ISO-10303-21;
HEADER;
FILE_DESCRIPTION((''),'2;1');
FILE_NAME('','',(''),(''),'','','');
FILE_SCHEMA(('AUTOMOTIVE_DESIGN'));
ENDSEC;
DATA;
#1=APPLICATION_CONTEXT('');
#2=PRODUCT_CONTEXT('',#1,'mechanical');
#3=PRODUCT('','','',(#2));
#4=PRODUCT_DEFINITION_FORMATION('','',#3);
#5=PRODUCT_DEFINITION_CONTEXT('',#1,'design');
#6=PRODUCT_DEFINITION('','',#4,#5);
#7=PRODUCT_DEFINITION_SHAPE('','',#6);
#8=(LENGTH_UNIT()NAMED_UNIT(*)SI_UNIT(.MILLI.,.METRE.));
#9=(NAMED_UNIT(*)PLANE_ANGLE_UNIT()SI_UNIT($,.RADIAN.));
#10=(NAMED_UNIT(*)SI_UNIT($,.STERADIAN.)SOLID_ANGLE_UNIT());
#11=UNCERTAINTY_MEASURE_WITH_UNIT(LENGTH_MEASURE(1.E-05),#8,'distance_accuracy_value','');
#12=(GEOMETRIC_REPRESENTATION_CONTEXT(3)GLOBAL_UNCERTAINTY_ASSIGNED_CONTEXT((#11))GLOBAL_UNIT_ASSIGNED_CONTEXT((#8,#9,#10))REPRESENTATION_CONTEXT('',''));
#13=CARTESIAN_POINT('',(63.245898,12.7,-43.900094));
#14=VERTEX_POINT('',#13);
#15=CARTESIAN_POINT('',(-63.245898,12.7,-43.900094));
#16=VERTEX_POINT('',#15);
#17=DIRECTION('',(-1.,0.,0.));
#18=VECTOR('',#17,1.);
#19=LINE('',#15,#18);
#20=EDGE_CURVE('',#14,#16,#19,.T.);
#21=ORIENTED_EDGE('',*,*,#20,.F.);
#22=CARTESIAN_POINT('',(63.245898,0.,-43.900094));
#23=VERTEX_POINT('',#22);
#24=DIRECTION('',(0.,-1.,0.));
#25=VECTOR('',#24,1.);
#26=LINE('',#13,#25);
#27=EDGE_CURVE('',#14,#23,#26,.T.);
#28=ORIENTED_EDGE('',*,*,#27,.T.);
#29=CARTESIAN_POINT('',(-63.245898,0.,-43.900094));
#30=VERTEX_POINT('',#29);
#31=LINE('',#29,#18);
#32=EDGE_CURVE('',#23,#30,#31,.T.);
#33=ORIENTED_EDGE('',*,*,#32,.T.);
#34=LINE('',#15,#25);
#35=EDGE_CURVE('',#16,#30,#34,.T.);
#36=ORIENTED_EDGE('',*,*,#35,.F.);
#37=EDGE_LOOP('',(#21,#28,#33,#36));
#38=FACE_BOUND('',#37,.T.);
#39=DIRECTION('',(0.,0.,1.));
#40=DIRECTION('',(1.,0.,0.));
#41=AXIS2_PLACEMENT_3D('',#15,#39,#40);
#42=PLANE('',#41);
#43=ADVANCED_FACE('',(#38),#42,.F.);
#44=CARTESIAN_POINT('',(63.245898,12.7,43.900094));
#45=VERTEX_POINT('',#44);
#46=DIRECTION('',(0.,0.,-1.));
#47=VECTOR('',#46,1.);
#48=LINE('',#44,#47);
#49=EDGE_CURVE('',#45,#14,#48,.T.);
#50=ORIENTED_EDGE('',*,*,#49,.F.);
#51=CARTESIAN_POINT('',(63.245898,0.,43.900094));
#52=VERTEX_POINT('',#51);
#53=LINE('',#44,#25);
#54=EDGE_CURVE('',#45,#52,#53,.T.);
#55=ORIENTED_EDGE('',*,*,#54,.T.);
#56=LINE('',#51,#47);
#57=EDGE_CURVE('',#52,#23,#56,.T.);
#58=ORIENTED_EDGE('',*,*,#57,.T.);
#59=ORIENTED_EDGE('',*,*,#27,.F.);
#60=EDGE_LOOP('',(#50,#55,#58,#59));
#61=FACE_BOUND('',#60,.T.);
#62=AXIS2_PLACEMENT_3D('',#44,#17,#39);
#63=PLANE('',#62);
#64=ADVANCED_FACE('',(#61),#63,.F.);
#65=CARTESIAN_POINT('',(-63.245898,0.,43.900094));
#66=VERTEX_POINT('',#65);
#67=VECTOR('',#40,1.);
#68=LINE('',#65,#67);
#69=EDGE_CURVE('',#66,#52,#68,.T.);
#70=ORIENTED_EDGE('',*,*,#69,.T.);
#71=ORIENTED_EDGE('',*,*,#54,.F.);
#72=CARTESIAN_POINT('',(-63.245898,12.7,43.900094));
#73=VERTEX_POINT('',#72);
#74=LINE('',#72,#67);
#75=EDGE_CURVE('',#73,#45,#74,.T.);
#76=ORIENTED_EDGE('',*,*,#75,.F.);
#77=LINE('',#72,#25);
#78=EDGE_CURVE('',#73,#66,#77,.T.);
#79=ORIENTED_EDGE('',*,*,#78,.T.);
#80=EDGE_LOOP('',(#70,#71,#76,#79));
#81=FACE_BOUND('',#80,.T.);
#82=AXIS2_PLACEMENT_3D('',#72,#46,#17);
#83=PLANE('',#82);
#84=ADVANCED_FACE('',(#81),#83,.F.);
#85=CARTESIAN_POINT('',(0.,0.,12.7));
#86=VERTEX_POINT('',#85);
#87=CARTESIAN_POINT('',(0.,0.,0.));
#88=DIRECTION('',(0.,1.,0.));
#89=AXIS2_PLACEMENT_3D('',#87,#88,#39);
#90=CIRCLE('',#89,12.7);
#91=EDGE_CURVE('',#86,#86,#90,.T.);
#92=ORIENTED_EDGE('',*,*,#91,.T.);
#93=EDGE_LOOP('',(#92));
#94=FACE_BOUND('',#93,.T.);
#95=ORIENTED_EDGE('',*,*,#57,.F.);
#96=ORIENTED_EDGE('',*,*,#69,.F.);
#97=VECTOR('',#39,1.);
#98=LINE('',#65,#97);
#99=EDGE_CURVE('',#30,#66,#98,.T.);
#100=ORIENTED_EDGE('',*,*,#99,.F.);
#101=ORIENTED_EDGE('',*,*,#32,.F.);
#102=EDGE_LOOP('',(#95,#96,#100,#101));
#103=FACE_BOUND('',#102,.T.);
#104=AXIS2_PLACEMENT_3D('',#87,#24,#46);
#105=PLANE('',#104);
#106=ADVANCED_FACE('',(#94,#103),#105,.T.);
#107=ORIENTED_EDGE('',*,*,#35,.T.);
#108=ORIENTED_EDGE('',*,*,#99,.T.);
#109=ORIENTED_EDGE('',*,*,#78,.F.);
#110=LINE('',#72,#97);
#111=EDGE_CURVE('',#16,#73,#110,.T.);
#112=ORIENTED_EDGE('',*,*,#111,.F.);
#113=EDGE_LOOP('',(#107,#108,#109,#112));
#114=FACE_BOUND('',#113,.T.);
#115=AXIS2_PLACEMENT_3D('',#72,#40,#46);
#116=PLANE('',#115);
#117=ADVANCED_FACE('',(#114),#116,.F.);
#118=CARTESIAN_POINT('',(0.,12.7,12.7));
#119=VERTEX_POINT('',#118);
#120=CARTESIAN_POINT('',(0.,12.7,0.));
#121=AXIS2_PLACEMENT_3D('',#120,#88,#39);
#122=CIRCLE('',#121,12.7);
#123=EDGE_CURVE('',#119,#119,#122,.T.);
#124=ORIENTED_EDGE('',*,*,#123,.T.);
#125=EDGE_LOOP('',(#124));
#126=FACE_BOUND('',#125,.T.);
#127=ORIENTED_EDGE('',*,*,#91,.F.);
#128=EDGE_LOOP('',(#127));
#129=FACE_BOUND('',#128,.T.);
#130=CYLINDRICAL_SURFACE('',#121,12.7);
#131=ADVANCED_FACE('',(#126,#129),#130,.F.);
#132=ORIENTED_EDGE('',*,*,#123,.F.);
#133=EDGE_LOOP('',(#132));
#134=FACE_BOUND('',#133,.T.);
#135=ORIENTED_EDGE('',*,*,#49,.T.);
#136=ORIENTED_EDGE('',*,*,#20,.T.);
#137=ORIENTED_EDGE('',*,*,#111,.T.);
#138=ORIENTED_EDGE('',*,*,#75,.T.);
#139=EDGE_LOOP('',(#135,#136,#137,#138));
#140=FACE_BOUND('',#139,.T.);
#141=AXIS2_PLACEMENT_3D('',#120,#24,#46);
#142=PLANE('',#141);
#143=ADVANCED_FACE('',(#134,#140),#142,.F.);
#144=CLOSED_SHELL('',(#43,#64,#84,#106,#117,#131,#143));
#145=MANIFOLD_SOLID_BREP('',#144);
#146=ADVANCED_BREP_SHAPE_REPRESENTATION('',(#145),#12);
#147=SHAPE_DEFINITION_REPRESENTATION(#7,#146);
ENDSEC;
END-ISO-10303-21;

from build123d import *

# Parameters (mm, degrees)
SKETCH1_W              = 126.491795746
SKETCH1_H              = 87.800187636
BOSS_EXTRUDE1_DEPTH    = 12.7
F_1_1_DIAMETER_HOLE1_D = 25.4


with BuildPart() as part:
    # Sketch1 → Boss-Extrude1 (new body)
    with BuildSketch(Plane(origin=(0, 0, 0), x_dir=(1, 0, 0), z_dir=(0, 1, 0))):
        Rectangle(SKETCH1_W, SKETCH1_H)
    extrude(amount=BOSS_EXTRUDE1_DEPTH)

    # 1 (1) Diameter Hole1 (through all)
    with Locations(Plane(origin=(0, 12.7, 0), x_dir=(1, 0, 0), z_dir=(0, 1, 0))):
        with Locations((0, 0)):
            Hole(F_1_1_DIAMETER_HOLE1_D / 2)


solid = part.part
